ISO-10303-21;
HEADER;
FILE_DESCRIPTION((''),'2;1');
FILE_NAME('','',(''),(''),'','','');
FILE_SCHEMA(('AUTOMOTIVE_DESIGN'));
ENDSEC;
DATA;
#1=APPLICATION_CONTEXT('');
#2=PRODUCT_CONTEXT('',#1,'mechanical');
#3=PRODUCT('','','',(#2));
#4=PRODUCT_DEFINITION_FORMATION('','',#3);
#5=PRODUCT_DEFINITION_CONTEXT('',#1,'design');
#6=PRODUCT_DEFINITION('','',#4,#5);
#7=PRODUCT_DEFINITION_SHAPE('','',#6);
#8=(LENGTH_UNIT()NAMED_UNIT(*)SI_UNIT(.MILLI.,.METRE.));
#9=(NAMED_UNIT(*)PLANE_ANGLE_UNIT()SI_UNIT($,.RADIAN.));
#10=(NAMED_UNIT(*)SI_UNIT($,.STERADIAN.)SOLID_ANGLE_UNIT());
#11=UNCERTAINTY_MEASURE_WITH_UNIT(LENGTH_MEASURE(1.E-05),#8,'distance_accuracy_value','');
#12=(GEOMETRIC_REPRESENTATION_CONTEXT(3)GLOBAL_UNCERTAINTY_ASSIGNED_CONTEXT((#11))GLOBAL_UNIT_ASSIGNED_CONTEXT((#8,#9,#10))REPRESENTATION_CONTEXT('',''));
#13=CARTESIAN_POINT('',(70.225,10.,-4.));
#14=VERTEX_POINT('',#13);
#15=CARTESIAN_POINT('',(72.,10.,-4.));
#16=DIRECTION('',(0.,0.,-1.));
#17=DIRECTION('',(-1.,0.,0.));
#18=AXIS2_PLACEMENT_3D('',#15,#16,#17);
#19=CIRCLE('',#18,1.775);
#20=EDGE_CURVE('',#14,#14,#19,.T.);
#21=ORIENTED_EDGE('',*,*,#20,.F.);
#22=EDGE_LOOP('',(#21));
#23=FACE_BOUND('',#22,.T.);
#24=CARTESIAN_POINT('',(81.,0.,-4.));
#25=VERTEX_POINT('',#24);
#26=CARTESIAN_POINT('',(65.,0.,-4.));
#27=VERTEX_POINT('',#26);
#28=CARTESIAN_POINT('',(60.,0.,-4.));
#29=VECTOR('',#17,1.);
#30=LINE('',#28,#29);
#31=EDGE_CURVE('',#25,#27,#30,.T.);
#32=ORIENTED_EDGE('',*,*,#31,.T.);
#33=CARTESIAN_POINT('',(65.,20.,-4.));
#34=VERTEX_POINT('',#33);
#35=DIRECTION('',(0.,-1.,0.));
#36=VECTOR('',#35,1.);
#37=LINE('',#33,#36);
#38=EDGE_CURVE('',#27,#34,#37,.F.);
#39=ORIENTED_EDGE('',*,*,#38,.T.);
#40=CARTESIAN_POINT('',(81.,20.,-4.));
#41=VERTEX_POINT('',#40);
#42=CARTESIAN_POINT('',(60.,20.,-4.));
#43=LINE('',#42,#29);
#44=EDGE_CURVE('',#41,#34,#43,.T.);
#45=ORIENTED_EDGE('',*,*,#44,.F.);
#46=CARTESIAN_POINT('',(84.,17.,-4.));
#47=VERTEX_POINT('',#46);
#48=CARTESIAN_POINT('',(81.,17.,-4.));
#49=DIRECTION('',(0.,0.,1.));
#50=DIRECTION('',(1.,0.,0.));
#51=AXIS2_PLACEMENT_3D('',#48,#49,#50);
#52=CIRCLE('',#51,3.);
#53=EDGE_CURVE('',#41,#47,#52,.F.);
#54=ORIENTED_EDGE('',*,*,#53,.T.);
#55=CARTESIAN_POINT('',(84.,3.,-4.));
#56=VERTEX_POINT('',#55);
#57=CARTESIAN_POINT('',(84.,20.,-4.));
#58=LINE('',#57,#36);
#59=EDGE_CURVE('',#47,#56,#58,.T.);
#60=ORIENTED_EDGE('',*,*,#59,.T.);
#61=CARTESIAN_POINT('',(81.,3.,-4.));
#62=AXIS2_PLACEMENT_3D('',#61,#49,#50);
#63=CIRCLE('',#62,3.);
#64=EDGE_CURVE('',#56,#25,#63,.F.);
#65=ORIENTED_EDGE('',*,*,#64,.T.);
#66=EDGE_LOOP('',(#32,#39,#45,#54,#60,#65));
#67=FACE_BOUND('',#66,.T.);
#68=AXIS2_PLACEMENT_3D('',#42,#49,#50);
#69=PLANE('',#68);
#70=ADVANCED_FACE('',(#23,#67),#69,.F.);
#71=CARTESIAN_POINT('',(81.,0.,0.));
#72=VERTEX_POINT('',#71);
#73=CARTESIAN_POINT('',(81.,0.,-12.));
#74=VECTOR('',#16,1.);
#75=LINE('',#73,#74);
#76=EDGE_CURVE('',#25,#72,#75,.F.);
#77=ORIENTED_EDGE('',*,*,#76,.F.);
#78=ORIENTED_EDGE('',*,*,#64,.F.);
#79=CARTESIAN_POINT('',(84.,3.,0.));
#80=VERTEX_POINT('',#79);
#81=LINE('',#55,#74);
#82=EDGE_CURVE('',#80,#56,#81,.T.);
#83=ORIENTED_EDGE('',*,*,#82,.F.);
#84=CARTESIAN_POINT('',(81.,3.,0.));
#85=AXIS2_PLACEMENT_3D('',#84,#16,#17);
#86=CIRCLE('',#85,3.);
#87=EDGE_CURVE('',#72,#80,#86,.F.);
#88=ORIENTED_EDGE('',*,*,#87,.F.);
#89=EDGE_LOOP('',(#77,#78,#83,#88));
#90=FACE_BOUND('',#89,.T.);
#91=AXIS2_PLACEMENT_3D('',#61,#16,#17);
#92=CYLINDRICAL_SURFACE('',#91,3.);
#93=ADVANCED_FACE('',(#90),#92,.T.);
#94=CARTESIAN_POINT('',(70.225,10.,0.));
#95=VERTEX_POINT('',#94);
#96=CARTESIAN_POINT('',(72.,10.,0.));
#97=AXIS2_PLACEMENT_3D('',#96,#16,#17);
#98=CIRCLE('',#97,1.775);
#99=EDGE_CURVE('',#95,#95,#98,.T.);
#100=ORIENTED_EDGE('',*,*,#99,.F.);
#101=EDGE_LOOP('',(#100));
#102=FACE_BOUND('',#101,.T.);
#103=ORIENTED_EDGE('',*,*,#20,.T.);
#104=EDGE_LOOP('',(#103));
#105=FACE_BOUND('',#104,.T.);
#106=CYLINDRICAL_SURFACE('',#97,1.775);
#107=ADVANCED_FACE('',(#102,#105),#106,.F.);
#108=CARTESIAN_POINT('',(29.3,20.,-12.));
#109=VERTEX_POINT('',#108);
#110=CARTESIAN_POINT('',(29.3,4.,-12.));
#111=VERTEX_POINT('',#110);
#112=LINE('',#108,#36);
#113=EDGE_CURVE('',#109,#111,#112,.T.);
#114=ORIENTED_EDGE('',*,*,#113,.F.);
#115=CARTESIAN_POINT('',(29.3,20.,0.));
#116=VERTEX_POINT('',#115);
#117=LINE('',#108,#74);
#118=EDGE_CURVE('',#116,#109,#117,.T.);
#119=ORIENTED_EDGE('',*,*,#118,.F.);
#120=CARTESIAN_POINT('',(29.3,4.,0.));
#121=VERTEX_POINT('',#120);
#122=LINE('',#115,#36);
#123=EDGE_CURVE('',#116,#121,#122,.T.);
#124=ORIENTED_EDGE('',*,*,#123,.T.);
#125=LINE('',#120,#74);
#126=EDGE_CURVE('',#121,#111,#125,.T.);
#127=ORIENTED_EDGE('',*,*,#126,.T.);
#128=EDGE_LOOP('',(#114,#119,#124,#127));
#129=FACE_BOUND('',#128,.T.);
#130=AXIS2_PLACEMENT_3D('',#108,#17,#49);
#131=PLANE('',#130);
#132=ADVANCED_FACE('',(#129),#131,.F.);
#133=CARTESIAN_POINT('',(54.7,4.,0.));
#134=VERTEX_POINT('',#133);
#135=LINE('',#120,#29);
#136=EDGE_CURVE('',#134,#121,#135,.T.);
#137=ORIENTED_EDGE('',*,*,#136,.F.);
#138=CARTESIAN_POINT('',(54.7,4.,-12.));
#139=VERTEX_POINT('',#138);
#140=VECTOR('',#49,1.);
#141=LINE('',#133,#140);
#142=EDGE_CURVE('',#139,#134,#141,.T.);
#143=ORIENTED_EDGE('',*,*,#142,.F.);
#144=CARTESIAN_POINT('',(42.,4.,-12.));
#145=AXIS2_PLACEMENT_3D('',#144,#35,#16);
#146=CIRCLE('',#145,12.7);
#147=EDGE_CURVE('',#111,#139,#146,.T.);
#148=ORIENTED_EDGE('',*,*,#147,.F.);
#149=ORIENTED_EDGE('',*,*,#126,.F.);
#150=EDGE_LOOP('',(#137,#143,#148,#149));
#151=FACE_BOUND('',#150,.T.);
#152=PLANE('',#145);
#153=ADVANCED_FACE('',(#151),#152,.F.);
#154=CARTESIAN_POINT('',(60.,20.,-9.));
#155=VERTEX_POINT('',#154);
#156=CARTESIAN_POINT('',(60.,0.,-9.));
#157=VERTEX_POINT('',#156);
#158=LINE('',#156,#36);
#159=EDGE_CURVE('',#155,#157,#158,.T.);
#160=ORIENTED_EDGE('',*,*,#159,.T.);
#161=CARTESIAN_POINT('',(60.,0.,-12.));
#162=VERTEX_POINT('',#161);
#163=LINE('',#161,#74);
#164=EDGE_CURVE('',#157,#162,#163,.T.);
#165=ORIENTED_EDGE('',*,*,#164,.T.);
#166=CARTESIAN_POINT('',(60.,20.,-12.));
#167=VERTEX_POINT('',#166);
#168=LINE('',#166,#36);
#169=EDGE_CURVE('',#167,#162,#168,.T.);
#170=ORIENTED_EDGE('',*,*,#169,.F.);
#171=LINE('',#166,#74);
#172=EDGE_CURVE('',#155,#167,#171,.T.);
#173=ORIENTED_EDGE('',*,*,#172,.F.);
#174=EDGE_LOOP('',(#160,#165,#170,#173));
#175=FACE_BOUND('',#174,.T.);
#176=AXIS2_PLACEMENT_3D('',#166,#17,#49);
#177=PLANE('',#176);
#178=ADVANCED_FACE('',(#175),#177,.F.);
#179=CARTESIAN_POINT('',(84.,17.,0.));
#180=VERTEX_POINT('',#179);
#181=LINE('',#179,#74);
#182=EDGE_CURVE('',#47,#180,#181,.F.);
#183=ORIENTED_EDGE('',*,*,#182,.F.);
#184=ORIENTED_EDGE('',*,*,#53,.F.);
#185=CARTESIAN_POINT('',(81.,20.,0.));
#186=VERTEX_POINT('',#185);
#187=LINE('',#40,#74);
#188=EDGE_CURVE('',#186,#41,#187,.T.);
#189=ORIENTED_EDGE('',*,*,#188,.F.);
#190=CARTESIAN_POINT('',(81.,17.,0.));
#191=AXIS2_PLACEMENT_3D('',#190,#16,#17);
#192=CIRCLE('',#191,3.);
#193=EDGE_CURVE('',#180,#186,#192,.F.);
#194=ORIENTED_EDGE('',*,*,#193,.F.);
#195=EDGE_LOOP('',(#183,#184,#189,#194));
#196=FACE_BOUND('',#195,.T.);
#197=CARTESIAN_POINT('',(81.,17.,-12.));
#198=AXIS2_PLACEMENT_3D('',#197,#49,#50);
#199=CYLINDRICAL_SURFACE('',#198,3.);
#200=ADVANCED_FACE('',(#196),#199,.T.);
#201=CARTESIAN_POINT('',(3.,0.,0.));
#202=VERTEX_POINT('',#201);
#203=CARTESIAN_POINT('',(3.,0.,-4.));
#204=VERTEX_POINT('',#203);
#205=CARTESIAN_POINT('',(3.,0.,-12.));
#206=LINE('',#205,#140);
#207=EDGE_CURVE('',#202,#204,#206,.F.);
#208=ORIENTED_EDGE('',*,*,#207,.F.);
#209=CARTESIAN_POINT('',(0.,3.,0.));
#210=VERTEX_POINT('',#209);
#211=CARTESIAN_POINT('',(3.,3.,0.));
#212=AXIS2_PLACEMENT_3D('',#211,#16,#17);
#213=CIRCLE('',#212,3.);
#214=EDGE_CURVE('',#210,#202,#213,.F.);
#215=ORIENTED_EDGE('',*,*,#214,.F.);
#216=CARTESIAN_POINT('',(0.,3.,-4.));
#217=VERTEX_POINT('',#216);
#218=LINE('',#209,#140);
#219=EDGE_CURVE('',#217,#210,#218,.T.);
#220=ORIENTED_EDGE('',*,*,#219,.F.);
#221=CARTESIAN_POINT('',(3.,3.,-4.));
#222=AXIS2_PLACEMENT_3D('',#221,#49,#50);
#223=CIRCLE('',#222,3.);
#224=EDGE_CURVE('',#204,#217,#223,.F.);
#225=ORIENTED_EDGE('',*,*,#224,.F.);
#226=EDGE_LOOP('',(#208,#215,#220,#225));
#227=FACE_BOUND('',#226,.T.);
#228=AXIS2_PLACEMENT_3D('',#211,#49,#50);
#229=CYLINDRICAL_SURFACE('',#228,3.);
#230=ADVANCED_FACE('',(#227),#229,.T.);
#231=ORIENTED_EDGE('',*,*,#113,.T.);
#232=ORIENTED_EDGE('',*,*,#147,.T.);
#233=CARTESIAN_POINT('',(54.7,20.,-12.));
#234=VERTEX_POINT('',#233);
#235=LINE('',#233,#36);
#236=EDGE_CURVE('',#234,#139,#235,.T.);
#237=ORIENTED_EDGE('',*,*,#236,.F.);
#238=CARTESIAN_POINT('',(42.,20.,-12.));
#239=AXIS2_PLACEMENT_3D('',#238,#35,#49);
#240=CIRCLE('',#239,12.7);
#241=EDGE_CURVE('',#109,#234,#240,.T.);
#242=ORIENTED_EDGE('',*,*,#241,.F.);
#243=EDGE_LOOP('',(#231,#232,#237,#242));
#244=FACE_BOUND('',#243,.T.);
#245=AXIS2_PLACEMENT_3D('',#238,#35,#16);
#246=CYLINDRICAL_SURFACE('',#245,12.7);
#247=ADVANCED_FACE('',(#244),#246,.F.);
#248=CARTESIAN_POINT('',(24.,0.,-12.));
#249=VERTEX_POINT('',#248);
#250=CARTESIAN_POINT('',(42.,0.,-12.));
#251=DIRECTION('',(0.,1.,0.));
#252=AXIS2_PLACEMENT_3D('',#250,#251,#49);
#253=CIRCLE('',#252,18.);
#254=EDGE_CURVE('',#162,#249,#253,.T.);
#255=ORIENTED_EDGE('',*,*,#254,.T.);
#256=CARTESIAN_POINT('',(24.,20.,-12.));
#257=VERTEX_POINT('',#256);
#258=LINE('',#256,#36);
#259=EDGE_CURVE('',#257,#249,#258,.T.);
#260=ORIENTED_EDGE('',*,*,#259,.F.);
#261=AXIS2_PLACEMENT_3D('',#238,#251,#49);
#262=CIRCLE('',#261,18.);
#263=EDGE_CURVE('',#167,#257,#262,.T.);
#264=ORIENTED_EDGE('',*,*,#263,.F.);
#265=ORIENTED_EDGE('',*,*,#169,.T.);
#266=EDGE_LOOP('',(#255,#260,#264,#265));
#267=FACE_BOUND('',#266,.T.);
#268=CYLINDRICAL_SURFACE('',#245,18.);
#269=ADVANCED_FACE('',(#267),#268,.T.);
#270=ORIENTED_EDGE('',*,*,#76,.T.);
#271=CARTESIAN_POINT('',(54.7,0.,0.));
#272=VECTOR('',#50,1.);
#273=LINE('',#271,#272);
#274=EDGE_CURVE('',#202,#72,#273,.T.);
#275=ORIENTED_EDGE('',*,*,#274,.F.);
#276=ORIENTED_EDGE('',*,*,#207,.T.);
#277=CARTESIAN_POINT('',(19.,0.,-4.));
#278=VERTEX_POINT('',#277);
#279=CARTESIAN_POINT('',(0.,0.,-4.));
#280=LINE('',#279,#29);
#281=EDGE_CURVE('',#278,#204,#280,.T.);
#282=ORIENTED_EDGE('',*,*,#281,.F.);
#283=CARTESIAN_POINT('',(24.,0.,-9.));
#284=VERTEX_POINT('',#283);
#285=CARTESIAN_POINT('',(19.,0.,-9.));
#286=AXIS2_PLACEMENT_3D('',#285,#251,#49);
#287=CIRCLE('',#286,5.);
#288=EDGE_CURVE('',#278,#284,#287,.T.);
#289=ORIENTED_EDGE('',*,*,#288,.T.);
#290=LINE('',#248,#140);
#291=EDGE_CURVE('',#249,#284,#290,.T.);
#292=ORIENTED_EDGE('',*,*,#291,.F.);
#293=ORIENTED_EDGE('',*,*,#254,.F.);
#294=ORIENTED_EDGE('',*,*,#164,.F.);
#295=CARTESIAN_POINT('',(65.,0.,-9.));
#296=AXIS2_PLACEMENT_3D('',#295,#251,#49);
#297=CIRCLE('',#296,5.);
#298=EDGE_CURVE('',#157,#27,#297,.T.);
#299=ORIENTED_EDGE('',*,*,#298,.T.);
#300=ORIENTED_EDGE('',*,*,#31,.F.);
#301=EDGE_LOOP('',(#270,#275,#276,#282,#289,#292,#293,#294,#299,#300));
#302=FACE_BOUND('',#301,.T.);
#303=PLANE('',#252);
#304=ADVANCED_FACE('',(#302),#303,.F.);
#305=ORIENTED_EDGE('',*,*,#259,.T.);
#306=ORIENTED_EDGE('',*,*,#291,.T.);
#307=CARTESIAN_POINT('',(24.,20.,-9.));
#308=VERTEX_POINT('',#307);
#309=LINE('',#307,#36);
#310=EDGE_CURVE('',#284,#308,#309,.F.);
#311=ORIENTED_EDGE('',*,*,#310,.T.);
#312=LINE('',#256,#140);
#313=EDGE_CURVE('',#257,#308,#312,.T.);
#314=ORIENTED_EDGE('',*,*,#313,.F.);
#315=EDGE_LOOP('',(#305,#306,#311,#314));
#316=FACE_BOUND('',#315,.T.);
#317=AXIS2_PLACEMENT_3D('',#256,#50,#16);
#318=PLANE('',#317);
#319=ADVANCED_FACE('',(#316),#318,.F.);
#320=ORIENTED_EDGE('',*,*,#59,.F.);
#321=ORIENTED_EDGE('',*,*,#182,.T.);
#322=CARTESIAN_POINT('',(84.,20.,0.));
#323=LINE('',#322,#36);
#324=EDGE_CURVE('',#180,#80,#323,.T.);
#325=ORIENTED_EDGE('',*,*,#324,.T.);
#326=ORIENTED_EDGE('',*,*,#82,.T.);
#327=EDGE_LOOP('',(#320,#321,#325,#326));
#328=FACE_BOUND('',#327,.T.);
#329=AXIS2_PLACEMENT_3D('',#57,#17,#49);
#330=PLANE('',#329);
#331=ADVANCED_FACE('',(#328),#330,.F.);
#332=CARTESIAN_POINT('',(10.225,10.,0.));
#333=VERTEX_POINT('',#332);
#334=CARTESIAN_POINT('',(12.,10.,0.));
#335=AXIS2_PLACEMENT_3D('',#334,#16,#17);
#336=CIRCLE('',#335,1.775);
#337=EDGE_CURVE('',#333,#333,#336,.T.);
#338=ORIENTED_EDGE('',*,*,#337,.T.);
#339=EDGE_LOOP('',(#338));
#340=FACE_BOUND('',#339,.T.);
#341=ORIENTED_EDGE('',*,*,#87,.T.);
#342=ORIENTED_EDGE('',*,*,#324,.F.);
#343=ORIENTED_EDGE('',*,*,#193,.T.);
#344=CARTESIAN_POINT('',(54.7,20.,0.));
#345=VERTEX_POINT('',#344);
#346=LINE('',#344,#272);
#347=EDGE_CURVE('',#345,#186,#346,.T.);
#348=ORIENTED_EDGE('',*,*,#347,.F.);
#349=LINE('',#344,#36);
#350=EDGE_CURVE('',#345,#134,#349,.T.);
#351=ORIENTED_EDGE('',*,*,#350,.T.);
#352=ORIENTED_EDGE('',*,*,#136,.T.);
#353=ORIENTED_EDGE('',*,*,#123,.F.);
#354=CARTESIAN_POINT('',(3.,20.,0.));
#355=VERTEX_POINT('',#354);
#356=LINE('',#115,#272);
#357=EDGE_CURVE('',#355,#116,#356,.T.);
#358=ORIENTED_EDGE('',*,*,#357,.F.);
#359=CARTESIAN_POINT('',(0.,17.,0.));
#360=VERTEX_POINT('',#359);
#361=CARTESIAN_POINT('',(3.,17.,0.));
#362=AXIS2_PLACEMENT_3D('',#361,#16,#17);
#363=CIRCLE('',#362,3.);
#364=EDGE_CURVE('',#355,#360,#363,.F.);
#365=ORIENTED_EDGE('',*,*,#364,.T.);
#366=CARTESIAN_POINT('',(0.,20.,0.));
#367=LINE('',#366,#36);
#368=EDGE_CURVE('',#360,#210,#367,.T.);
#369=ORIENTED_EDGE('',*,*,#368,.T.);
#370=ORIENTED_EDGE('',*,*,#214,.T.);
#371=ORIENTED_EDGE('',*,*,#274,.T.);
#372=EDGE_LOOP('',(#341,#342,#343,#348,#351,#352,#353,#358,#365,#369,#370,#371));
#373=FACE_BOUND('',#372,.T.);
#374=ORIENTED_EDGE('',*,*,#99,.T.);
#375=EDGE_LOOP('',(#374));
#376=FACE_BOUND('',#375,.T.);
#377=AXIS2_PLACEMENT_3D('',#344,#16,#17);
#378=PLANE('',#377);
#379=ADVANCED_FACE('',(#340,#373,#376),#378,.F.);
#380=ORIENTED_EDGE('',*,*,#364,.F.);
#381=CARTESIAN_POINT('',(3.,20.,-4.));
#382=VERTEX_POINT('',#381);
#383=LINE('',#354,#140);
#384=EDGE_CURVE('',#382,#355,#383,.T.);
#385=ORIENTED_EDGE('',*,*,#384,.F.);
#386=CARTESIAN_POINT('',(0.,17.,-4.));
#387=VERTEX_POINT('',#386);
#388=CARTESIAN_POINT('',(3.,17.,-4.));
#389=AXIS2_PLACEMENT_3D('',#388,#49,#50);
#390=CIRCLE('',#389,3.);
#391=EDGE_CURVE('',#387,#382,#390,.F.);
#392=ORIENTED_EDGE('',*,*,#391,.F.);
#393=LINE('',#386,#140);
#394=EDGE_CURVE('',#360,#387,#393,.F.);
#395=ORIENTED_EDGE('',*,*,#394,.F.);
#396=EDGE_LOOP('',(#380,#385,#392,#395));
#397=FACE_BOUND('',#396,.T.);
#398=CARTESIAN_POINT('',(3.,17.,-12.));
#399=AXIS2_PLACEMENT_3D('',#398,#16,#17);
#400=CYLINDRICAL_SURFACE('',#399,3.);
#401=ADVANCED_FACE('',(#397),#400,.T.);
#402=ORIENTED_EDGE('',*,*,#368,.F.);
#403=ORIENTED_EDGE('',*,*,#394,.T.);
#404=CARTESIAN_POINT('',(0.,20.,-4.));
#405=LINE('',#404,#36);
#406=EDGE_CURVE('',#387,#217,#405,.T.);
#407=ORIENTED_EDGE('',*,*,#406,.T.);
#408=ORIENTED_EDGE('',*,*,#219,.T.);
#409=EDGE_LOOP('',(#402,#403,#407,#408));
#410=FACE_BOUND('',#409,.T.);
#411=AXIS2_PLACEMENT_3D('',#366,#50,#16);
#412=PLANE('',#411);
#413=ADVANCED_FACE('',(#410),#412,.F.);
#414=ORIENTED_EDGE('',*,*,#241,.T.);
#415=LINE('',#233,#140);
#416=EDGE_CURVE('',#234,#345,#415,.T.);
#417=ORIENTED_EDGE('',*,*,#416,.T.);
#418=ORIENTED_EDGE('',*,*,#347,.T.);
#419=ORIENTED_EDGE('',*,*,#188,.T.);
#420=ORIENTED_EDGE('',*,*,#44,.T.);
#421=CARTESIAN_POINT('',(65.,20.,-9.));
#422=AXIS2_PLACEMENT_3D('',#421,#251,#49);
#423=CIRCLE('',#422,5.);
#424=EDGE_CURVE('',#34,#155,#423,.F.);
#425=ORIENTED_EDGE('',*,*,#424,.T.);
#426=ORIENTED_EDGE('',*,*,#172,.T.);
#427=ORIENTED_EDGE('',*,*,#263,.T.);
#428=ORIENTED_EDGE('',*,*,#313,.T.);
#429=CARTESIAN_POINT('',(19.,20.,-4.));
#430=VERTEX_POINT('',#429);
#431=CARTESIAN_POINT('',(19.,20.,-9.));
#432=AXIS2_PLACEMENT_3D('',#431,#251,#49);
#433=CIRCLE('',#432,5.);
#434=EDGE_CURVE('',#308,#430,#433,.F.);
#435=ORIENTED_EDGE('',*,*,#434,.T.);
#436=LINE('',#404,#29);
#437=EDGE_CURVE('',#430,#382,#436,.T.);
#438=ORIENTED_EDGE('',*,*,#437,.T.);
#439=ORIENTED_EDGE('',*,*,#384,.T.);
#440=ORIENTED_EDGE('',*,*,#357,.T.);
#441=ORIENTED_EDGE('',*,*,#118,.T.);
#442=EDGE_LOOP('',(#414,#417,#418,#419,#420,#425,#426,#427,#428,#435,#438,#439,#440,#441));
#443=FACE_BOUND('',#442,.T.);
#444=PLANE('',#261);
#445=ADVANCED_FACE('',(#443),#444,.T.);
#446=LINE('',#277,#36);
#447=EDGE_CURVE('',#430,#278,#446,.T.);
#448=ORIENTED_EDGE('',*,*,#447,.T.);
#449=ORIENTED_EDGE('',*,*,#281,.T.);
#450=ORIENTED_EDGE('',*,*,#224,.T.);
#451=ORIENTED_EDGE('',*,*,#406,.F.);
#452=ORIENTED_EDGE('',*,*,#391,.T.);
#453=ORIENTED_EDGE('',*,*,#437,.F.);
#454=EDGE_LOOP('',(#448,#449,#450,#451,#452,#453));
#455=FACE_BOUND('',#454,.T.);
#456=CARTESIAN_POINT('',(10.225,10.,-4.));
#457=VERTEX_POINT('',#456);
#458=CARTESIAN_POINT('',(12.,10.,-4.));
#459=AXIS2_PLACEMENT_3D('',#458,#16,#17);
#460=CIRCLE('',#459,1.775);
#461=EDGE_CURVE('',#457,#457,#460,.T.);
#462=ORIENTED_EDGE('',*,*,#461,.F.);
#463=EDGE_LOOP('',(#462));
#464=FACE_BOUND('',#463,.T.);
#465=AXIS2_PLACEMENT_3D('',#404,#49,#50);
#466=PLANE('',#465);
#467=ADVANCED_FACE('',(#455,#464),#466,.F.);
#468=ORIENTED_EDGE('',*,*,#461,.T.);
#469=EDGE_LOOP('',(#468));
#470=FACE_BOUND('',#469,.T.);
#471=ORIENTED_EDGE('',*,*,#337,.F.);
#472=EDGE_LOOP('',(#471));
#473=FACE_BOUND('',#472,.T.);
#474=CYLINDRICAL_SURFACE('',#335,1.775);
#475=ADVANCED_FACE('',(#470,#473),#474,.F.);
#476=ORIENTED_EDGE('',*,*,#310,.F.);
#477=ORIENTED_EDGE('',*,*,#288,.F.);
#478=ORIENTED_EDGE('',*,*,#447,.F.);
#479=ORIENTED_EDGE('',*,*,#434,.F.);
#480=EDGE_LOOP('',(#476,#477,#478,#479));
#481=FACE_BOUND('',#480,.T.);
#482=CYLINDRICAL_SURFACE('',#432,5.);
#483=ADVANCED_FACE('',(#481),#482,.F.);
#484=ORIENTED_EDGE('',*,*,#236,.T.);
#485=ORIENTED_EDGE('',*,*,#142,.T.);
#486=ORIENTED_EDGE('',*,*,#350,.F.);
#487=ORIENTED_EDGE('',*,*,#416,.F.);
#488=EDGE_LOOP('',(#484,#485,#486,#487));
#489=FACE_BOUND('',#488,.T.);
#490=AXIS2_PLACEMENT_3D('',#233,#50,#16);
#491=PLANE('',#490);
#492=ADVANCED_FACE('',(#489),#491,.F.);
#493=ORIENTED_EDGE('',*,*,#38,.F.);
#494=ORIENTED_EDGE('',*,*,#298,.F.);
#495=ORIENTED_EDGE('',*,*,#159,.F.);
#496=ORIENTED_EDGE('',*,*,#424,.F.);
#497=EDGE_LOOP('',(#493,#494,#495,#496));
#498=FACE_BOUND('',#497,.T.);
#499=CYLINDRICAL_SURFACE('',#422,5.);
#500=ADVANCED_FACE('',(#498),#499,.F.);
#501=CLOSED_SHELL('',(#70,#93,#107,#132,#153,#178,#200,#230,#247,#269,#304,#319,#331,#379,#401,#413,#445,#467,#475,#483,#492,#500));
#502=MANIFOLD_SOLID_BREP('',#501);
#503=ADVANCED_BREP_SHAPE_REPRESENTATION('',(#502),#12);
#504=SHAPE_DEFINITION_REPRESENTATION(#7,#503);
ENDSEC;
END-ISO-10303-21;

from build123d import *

# Parameters (mm, degrees)
BOSS_EXTRUDE1_DEPTH = 20
SKETCH2_R           = 1.775
CUT_EXTRUDE1_DEPTH  = 5
FILLET1_R           = 3
FILLET2_R           = 5
BOSS_EXTRUDE2_DEPTH = 4


with BuildPart() as part:
    # Sketch1 → Boss-Extrude1 (new body)
    with BuildSketch(Plane(origin=(0, 0, 0), x_dir=(1, 0, 0), z_dir=(0, 1, 0))):
        with BuildLine():
            Line((0, 0), (0, 4))
            Line((0, 4), (24, 4))
            Line((24, 4), (24, 12))
            ThreePointArc((24, 12), (42, 30), (60, 12))
            Line((60, 12), (60, 4))
            Line((60, 4), (84, 4))
            Line((84, 4), (84, 0))
            Line((84, 0), (54.7, 0))
            Line((54.7, 0), (54.7, 12))
            ThreePointArc((54.7, 12), (42, 24.7), (29.3, 12))
            Line((29.3, 12), (29.3, 0))
            Line((29.3, 0), (0, 0))
        make_face()
    extrude(amount=BOSS_EXTRUDE1_DEPTH)

    # Sketch2 → Cut-Extrude1 (cut, through all)
    with BuildSketch(Plane(origin=(0, 0, -4), x_dir=(-1, 0, 0), z_dir=(0, 0, -1))):
        with Locations((-72, 10)):
            Circle(SKETCH2_R)
        with Locations((-12, 10)):
            Circle(SKETCH2_R)
    extrude(amount=-CUT_EXTRUDE1_DEPTH, mode=Mode.SUBTRACT)

    # Fillet1
    fillet1_edges = [part.edges().sort_by_distance(p)[0] for p in [
        (0, 0, -2),
        (84, 0, -2),
        (84, 20, -2),
        (0, 20, -2),
    ]]
    fillet(fillet1_edges, radius=FILLET1_R)

    # Fillet2
    fillet2_edges = [part.edges().sort_by_distance(p)[0] for p in [
        (24, 10, -4),
        (60, 10, -4),
    ]]
    fillet(fillet2_edges, radius=FILLET2_R)

    # Sketch4 → Boss-Extrude2 (add)
    with BuildSketch(Plane.XZ):
        with BuildLine():
            Line((29.3, 0), (54.7, 0))
            Line((54.7, 0), (54.7, -12))
            ThreePointArc((54.7, -12), (42, -24.7), (29.3, -12))
            Line((29.3, -12), (29.3, 0))
        make_face()
    extrude(amount=-BOSS_EXTRUDE2_DEPTH)


solid = part.part
